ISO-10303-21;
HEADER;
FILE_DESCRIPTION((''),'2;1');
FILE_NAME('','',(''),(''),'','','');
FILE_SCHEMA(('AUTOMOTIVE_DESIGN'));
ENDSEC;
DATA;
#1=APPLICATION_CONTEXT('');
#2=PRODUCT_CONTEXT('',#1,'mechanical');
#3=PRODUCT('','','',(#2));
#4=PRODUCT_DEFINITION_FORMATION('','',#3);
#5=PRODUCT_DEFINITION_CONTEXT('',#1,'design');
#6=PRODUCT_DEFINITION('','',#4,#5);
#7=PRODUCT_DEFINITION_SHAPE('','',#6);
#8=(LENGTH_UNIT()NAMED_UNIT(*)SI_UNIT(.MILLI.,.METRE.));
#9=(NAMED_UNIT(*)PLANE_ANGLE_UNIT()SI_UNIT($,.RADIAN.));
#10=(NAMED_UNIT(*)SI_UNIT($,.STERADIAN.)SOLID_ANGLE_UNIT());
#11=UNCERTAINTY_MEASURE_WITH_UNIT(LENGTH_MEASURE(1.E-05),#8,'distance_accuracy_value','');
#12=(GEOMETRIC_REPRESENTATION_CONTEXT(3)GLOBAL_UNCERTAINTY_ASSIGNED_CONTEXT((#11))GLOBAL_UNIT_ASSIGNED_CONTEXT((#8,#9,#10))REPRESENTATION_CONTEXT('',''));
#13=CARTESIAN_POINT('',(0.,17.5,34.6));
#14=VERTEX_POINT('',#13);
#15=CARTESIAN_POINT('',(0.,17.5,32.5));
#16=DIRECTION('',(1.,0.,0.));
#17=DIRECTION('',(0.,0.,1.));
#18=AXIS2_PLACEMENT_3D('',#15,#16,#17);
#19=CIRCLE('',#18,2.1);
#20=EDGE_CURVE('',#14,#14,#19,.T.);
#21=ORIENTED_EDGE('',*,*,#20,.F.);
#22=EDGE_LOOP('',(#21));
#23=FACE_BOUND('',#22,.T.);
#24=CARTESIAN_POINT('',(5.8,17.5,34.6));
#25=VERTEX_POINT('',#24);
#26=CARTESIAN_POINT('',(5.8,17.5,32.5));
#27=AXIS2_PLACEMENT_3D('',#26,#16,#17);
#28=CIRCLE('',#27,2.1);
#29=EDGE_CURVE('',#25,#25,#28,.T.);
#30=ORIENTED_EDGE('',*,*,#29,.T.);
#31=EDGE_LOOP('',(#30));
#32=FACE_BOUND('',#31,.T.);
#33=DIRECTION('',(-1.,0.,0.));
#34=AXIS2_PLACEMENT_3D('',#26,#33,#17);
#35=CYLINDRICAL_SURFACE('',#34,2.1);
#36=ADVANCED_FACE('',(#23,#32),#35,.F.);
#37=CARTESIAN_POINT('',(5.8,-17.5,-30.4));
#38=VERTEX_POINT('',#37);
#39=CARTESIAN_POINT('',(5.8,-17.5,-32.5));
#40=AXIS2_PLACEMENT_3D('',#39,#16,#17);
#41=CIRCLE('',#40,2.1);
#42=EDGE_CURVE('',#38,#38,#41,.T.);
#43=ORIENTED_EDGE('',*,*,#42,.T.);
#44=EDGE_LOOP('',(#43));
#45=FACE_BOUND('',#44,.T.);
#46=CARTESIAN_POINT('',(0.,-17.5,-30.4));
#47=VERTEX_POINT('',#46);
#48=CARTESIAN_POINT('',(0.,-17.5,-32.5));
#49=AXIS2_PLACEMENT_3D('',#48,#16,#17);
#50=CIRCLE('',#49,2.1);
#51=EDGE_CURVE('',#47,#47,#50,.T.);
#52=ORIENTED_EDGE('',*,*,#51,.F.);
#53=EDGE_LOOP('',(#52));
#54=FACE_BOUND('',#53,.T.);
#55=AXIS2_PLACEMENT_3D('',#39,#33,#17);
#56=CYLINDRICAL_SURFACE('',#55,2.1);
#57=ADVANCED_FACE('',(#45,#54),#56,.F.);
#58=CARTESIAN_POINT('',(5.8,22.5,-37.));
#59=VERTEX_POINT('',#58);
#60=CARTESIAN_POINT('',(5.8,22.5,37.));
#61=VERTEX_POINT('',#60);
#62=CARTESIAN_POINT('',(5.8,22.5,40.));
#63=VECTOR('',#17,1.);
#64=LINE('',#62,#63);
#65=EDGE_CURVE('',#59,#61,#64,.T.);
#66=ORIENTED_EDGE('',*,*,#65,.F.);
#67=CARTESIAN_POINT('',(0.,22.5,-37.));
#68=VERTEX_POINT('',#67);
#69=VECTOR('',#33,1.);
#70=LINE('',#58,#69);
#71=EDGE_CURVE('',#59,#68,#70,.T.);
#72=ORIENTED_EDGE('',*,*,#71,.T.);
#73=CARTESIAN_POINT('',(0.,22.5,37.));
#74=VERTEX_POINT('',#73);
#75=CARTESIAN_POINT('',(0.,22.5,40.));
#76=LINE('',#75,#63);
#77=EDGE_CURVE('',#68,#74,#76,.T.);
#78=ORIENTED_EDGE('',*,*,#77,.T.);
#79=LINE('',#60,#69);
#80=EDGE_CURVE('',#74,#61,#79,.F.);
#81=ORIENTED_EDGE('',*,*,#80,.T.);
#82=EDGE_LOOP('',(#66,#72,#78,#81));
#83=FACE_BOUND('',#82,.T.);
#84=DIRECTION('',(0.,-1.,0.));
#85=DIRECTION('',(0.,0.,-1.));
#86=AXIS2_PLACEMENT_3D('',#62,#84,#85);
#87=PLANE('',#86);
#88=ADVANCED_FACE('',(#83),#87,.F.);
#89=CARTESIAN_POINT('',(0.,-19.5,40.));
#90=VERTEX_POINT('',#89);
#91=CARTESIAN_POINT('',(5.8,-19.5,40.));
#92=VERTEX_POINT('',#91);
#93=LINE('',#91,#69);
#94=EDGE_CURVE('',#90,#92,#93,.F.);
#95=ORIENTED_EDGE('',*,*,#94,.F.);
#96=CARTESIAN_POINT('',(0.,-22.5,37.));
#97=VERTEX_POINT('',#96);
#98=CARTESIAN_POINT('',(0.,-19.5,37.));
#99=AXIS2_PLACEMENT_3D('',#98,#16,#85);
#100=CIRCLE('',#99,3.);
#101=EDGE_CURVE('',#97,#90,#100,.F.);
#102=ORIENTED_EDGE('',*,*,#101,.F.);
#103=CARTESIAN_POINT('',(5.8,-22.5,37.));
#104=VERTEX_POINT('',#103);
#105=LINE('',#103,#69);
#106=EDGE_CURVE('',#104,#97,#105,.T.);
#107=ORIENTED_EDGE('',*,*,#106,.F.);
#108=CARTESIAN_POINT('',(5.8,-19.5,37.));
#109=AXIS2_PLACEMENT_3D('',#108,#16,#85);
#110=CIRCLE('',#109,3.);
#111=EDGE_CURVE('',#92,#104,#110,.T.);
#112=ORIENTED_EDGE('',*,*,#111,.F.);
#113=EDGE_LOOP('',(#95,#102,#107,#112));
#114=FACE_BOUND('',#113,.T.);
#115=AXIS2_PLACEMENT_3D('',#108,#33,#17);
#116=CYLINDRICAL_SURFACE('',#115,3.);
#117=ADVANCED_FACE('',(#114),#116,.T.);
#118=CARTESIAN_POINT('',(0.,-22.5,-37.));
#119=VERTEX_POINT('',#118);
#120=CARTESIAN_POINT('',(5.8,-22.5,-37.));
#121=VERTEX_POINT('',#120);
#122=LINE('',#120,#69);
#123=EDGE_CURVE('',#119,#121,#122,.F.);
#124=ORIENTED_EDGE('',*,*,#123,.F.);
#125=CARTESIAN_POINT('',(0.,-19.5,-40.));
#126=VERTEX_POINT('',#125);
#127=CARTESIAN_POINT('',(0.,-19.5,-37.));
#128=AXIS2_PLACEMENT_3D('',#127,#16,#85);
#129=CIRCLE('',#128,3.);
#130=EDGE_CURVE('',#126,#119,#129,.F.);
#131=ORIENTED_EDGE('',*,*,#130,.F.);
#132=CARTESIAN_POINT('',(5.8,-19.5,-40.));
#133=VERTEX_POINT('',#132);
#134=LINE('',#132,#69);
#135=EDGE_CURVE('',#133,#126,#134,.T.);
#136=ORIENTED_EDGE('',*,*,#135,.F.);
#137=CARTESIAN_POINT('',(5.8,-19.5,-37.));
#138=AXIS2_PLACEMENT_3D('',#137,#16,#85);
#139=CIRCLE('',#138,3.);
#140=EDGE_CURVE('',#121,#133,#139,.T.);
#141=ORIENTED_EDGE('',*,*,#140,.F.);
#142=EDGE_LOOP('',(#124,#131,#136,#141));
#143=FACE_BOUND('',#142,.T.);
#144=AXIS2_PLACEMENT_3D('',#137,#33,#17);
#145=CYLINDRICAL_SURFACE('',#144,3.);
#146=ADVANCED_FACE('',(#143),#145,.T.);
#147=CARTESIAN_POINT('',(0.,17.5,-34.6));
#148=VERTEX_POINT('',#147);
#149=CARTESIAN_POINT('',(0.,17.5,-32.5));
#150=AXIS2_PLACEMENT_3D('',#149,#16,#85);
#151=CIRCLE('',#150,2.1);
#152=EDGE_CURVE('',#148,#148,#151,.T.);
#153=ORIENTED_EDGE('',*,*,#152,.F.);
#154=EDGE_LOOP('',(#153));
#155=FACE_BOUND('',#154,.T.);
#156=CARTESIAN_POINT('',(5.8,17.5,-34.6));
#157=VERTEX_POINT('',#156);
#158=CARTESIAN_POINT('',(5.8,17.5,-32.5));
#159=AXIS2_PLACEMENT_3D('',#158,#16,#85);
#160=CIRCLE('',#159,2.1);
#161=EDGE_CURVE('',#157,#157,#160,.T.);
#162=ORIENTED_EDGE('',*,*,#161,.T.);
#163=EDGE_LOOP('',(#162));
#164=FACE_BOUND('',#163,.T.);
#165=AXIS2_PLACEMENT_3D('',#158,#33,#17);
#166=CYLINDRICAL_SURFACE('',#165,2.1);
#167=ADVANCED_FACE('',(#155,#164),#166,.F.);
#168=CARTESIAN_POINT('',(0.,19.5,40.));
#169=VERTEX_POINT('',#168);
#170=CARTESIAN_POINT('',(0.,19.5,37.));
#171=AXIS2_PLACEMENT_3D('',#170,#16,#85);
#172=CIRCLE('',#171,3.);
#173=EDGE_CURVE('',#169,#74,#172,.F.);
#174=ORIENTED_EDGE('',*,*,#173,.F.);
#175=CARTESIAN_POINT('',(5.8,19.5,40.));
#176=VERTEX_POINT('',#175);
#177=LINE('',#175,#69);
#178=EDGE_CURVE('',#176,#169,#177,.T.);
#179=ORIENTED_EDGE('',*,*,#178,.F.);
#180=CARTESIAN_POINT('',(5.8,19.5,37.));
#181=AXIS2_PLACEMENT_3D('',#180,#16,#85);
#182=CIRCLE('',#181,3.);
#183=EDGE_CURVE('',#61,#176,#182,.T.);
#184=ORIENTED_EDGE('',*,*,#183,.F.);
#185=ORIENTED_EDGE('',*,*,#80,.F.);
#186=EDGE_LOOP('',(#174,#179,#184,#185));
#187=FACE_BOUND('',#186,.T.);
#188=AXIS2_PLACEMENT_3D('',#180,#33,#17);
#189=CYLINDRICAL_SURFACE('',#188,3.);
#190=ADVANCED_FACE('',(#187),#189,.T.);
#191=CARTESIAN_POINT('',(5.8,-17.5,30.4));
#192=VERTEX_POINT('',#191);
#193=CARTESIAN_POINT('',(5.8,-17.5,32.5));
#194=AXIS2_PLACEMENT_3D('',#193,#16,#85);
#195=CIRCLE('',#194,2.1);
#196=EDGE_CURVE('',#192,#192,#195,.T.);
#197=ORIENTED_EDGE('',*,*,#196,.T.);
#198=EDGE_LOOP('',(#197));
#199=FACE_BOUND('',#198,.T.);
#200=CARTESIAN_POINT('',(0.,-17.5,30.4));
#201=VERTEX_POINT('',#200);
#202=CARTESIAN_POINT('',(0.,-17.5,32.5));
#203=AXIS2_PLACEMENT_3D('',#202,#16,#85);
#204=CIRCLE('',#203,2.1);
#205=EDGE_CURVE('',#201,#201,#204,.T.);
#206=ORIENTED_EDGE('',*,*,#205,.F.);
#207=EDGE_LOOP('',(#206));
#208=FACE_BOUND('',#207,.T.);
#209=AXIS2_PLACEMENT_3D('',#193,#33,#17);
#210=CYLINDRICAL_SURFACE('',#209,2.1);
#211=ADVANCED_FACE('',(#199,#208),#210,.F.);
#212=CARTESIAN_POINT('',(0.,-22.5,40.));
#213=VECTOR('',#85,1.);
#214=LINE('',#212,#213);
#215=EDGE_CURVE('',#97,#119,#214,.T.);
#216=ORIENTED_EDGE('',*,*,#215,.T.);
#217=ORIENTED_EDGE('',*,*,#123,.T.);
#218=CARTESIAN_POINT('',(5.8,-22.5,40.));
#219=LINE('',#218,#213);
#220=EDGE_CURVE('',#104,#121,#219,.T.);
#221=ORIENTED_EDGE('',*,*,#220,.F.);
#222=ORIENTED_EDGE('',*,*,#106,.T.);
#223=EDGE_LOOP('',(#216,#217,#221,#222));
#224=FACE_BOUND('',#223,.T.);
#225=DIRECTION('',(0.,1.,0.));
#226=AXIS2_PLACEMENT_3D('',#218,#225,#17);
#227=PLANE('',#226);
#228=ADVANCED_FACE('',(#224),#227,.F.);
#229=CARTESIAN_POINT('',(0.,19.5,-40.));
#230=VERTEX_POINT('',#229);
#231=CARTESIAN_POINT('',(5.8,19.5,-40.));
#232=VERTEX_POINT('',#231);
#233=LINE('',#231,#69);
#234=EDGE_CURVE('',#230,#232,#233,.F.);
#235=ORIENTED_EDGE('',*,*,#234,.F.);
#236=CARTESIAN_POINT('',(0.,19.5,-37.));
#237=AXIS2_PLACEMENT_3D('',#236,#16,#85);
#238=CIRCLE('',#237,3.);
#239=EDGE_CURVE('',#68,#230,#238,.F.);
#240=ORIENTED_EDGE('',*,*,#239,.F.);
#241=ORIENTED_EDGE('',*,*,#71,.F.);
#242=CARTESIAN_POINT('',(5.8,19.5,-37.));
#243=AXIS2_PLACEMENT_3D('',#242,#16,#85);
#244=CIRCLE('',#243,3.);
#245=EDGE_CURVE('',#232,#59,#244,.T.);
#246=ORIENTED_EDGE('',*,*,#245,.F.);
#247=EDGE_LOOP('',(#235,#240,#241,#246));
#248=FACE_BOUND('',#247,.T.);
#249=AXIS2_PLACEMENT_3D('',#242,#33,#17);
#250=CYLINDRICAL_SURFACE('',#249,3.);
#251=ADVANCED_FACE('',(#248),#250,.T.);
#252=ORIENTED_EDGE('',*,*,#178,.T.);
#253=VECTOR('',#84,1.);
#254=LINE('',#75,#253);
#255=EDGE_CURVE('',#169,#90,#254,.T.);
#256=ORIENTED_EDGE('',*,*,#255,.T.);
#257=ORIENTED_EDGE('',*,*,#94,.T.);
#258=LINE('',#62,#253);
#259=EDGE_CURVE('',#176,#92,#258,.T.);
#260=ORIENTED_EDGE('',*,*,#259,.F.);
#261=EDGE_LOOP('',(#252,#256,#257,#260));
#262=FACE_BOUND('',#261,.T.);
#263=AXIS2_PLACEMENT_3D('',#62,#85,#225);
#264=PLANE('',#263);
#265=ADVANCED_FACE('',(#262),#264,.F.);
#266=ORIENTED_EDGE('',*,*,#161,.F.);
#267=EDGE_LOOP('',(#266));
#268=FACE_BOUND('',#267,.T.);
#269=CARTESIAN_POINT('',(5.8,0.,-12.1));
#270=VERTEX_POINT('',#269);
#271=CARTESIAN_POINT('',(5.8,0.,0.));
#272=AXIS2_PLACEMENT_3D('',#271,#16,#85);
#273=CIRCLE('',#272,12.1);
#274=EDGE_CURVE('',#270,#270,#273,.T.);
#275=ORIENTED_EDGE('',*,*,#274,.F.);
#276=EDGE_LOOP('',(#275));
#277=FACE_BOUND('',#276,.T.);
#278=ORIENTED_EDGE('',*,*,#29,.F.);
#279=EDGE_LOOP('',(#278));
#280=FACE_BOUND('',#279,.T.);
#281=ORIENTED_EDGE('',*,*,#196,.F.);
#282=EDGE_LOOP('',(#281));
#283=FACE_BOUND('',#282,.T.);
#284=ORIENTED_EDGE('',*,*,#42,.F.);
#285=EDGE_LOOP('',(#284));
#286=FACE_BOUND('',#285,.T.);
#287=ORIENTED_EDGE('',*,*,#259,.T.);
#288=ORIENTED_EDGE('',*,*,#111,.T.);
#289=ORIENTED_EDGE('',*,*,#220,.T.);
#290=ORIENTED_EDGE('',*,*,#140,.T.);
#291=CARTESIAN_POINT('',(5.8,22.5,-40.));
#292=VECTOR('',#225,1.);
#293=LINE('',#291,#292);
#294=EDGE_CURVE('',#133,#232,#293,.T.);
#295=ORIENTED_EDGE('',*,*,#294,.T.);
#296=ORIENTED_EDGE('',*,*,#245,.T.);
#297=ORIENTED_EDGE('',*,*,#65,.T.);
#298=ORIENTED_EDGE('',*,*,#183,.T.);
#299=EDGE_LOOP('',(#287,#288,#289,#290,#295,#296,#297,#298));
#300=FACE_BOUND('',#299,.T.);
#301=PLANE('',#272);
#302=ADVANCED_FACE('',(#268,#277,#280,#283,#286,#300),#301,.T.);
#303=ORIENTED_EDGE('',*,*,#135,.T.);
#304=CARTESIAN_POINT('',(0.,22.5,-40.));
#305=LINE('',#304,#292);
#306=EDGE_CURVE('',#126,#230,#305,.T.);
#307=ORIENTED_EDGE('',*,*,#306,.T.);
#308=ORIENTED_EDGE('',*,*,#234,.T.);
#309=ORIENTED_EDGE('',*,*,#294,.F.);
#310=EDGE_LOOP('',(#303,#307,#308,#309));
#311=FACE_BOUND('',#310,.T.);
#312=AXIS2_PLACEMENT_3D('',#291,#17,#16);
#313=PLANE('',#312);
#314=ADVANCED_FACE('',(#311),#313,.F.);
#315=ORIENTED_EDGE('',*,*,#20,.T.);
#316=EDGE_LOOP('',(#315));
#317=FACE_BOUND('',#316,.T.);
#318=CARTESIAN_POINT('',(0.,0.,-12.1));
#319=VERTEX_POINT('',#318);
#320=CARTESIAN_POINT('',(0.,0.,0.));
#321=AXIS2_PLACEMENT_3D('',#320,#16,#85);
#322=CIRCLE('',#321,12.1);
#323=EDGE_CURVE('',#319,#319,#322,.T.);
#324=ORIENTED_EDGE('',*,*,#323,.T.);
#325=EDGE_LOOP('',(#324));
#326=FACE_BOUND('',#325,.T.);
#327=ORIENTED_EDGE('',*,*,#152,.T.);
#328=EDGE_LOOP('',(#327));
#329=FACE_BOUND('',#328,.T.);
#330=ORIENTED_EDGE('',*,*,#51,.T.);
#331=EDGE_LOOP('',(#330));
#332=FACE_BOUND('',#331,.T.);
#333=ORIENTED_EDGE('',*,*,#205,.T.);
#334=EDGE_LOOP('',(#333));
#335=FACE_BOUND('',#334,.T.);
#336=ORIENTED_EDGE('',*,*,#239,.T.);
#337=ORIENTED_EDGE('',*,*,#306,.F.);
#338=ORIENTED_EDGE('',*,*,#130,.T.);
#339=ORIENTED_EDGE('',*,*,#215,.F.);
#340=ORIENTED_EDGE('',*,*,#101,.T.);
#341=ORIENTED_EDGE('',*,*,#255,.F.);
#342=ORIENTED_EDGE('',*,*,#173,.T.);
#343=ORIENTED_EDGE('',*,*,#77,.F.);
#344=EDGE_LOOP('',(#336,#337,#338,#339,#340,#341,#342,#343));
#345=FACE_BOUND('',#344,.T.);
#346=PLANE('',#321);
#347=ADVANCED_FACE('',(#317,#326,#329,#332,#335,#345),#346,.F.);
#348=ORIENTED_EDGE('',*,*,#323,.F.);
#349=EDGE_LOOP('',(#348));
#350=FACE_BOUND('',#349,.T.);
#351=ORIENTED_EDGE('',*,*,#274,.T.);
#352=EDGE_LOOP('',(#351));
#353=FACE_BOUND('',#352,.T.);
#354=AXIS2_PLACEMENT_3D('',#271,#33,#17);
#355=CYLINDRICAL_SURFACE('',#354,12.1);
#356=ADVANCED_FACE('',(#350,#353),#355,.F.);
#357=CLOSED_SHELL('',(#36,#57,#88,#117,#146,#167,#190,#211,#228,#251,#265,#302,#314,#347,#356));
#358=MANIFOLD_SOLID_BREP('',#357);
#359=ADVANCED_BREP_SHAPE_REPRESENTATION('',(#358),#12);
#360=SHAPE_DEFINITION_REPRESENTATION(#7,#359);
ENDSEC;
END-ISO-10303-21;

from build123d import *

# Parameters (mm, degrees)
SKETCH_1_W      = 80
SKETCH_1_H      = 45
SKETCH_1_R      = 12.1
SKETCH_1_R_2    = 2.1
EXTRUDE_1_DEPTH = 5.8
FILLET_1_R      = 3


with BuildPart() as part:
    # ｽｹｯﾁ1 → ﾎﾞｽ - 押し出し1 (new body)
    with BuildSketch(Plane(origin=(0, 0, 0), x_dir=(0, 0, -1), z_dir=(1, 0, 0))):
        Rectangle(SKETCH_1_W, SKETCH_1_H)
        Circle(SKETCH_1_R, mode=Mode.SUBTRACT)
        with Locations((32.5, 17.5)):
            Circle(SKETCH_1_R_2, mode=Mode.SUBTRACT)
        with Locations(Location((32.5, -17.5, 0), (0, 0, 180))):
            Circle(SKETCH_1_R_2, mode=Mode.SUBTRACT)
        with Locations(Location((-32.5, 17.5, 0), (0, 0, 180))):
            Circle(SKETCH_1_R_2, mode=Mode.SUBTRACT)
        with Locations((-32.5, -17.5)):
            Circle(SKETCH_1_R_2, mode=Mode.SUBTRACT)
    extrude(amount=EXTRUDE_1_DEPTH)

    # ﾌｨﾚｯﾄ1
    fillet_1_edges = [part.edges().sort_by_distance(p)[0] for p in [
        (2.9, -22.5, -40),
        (2.9, -22.5, 40),
        (2.9, 22.5, 40),
        (2.9, 22.5, -40),
    ]]
    fillet(fillet_1_edges, radius=FILLET_1_R)


solid = part.part
